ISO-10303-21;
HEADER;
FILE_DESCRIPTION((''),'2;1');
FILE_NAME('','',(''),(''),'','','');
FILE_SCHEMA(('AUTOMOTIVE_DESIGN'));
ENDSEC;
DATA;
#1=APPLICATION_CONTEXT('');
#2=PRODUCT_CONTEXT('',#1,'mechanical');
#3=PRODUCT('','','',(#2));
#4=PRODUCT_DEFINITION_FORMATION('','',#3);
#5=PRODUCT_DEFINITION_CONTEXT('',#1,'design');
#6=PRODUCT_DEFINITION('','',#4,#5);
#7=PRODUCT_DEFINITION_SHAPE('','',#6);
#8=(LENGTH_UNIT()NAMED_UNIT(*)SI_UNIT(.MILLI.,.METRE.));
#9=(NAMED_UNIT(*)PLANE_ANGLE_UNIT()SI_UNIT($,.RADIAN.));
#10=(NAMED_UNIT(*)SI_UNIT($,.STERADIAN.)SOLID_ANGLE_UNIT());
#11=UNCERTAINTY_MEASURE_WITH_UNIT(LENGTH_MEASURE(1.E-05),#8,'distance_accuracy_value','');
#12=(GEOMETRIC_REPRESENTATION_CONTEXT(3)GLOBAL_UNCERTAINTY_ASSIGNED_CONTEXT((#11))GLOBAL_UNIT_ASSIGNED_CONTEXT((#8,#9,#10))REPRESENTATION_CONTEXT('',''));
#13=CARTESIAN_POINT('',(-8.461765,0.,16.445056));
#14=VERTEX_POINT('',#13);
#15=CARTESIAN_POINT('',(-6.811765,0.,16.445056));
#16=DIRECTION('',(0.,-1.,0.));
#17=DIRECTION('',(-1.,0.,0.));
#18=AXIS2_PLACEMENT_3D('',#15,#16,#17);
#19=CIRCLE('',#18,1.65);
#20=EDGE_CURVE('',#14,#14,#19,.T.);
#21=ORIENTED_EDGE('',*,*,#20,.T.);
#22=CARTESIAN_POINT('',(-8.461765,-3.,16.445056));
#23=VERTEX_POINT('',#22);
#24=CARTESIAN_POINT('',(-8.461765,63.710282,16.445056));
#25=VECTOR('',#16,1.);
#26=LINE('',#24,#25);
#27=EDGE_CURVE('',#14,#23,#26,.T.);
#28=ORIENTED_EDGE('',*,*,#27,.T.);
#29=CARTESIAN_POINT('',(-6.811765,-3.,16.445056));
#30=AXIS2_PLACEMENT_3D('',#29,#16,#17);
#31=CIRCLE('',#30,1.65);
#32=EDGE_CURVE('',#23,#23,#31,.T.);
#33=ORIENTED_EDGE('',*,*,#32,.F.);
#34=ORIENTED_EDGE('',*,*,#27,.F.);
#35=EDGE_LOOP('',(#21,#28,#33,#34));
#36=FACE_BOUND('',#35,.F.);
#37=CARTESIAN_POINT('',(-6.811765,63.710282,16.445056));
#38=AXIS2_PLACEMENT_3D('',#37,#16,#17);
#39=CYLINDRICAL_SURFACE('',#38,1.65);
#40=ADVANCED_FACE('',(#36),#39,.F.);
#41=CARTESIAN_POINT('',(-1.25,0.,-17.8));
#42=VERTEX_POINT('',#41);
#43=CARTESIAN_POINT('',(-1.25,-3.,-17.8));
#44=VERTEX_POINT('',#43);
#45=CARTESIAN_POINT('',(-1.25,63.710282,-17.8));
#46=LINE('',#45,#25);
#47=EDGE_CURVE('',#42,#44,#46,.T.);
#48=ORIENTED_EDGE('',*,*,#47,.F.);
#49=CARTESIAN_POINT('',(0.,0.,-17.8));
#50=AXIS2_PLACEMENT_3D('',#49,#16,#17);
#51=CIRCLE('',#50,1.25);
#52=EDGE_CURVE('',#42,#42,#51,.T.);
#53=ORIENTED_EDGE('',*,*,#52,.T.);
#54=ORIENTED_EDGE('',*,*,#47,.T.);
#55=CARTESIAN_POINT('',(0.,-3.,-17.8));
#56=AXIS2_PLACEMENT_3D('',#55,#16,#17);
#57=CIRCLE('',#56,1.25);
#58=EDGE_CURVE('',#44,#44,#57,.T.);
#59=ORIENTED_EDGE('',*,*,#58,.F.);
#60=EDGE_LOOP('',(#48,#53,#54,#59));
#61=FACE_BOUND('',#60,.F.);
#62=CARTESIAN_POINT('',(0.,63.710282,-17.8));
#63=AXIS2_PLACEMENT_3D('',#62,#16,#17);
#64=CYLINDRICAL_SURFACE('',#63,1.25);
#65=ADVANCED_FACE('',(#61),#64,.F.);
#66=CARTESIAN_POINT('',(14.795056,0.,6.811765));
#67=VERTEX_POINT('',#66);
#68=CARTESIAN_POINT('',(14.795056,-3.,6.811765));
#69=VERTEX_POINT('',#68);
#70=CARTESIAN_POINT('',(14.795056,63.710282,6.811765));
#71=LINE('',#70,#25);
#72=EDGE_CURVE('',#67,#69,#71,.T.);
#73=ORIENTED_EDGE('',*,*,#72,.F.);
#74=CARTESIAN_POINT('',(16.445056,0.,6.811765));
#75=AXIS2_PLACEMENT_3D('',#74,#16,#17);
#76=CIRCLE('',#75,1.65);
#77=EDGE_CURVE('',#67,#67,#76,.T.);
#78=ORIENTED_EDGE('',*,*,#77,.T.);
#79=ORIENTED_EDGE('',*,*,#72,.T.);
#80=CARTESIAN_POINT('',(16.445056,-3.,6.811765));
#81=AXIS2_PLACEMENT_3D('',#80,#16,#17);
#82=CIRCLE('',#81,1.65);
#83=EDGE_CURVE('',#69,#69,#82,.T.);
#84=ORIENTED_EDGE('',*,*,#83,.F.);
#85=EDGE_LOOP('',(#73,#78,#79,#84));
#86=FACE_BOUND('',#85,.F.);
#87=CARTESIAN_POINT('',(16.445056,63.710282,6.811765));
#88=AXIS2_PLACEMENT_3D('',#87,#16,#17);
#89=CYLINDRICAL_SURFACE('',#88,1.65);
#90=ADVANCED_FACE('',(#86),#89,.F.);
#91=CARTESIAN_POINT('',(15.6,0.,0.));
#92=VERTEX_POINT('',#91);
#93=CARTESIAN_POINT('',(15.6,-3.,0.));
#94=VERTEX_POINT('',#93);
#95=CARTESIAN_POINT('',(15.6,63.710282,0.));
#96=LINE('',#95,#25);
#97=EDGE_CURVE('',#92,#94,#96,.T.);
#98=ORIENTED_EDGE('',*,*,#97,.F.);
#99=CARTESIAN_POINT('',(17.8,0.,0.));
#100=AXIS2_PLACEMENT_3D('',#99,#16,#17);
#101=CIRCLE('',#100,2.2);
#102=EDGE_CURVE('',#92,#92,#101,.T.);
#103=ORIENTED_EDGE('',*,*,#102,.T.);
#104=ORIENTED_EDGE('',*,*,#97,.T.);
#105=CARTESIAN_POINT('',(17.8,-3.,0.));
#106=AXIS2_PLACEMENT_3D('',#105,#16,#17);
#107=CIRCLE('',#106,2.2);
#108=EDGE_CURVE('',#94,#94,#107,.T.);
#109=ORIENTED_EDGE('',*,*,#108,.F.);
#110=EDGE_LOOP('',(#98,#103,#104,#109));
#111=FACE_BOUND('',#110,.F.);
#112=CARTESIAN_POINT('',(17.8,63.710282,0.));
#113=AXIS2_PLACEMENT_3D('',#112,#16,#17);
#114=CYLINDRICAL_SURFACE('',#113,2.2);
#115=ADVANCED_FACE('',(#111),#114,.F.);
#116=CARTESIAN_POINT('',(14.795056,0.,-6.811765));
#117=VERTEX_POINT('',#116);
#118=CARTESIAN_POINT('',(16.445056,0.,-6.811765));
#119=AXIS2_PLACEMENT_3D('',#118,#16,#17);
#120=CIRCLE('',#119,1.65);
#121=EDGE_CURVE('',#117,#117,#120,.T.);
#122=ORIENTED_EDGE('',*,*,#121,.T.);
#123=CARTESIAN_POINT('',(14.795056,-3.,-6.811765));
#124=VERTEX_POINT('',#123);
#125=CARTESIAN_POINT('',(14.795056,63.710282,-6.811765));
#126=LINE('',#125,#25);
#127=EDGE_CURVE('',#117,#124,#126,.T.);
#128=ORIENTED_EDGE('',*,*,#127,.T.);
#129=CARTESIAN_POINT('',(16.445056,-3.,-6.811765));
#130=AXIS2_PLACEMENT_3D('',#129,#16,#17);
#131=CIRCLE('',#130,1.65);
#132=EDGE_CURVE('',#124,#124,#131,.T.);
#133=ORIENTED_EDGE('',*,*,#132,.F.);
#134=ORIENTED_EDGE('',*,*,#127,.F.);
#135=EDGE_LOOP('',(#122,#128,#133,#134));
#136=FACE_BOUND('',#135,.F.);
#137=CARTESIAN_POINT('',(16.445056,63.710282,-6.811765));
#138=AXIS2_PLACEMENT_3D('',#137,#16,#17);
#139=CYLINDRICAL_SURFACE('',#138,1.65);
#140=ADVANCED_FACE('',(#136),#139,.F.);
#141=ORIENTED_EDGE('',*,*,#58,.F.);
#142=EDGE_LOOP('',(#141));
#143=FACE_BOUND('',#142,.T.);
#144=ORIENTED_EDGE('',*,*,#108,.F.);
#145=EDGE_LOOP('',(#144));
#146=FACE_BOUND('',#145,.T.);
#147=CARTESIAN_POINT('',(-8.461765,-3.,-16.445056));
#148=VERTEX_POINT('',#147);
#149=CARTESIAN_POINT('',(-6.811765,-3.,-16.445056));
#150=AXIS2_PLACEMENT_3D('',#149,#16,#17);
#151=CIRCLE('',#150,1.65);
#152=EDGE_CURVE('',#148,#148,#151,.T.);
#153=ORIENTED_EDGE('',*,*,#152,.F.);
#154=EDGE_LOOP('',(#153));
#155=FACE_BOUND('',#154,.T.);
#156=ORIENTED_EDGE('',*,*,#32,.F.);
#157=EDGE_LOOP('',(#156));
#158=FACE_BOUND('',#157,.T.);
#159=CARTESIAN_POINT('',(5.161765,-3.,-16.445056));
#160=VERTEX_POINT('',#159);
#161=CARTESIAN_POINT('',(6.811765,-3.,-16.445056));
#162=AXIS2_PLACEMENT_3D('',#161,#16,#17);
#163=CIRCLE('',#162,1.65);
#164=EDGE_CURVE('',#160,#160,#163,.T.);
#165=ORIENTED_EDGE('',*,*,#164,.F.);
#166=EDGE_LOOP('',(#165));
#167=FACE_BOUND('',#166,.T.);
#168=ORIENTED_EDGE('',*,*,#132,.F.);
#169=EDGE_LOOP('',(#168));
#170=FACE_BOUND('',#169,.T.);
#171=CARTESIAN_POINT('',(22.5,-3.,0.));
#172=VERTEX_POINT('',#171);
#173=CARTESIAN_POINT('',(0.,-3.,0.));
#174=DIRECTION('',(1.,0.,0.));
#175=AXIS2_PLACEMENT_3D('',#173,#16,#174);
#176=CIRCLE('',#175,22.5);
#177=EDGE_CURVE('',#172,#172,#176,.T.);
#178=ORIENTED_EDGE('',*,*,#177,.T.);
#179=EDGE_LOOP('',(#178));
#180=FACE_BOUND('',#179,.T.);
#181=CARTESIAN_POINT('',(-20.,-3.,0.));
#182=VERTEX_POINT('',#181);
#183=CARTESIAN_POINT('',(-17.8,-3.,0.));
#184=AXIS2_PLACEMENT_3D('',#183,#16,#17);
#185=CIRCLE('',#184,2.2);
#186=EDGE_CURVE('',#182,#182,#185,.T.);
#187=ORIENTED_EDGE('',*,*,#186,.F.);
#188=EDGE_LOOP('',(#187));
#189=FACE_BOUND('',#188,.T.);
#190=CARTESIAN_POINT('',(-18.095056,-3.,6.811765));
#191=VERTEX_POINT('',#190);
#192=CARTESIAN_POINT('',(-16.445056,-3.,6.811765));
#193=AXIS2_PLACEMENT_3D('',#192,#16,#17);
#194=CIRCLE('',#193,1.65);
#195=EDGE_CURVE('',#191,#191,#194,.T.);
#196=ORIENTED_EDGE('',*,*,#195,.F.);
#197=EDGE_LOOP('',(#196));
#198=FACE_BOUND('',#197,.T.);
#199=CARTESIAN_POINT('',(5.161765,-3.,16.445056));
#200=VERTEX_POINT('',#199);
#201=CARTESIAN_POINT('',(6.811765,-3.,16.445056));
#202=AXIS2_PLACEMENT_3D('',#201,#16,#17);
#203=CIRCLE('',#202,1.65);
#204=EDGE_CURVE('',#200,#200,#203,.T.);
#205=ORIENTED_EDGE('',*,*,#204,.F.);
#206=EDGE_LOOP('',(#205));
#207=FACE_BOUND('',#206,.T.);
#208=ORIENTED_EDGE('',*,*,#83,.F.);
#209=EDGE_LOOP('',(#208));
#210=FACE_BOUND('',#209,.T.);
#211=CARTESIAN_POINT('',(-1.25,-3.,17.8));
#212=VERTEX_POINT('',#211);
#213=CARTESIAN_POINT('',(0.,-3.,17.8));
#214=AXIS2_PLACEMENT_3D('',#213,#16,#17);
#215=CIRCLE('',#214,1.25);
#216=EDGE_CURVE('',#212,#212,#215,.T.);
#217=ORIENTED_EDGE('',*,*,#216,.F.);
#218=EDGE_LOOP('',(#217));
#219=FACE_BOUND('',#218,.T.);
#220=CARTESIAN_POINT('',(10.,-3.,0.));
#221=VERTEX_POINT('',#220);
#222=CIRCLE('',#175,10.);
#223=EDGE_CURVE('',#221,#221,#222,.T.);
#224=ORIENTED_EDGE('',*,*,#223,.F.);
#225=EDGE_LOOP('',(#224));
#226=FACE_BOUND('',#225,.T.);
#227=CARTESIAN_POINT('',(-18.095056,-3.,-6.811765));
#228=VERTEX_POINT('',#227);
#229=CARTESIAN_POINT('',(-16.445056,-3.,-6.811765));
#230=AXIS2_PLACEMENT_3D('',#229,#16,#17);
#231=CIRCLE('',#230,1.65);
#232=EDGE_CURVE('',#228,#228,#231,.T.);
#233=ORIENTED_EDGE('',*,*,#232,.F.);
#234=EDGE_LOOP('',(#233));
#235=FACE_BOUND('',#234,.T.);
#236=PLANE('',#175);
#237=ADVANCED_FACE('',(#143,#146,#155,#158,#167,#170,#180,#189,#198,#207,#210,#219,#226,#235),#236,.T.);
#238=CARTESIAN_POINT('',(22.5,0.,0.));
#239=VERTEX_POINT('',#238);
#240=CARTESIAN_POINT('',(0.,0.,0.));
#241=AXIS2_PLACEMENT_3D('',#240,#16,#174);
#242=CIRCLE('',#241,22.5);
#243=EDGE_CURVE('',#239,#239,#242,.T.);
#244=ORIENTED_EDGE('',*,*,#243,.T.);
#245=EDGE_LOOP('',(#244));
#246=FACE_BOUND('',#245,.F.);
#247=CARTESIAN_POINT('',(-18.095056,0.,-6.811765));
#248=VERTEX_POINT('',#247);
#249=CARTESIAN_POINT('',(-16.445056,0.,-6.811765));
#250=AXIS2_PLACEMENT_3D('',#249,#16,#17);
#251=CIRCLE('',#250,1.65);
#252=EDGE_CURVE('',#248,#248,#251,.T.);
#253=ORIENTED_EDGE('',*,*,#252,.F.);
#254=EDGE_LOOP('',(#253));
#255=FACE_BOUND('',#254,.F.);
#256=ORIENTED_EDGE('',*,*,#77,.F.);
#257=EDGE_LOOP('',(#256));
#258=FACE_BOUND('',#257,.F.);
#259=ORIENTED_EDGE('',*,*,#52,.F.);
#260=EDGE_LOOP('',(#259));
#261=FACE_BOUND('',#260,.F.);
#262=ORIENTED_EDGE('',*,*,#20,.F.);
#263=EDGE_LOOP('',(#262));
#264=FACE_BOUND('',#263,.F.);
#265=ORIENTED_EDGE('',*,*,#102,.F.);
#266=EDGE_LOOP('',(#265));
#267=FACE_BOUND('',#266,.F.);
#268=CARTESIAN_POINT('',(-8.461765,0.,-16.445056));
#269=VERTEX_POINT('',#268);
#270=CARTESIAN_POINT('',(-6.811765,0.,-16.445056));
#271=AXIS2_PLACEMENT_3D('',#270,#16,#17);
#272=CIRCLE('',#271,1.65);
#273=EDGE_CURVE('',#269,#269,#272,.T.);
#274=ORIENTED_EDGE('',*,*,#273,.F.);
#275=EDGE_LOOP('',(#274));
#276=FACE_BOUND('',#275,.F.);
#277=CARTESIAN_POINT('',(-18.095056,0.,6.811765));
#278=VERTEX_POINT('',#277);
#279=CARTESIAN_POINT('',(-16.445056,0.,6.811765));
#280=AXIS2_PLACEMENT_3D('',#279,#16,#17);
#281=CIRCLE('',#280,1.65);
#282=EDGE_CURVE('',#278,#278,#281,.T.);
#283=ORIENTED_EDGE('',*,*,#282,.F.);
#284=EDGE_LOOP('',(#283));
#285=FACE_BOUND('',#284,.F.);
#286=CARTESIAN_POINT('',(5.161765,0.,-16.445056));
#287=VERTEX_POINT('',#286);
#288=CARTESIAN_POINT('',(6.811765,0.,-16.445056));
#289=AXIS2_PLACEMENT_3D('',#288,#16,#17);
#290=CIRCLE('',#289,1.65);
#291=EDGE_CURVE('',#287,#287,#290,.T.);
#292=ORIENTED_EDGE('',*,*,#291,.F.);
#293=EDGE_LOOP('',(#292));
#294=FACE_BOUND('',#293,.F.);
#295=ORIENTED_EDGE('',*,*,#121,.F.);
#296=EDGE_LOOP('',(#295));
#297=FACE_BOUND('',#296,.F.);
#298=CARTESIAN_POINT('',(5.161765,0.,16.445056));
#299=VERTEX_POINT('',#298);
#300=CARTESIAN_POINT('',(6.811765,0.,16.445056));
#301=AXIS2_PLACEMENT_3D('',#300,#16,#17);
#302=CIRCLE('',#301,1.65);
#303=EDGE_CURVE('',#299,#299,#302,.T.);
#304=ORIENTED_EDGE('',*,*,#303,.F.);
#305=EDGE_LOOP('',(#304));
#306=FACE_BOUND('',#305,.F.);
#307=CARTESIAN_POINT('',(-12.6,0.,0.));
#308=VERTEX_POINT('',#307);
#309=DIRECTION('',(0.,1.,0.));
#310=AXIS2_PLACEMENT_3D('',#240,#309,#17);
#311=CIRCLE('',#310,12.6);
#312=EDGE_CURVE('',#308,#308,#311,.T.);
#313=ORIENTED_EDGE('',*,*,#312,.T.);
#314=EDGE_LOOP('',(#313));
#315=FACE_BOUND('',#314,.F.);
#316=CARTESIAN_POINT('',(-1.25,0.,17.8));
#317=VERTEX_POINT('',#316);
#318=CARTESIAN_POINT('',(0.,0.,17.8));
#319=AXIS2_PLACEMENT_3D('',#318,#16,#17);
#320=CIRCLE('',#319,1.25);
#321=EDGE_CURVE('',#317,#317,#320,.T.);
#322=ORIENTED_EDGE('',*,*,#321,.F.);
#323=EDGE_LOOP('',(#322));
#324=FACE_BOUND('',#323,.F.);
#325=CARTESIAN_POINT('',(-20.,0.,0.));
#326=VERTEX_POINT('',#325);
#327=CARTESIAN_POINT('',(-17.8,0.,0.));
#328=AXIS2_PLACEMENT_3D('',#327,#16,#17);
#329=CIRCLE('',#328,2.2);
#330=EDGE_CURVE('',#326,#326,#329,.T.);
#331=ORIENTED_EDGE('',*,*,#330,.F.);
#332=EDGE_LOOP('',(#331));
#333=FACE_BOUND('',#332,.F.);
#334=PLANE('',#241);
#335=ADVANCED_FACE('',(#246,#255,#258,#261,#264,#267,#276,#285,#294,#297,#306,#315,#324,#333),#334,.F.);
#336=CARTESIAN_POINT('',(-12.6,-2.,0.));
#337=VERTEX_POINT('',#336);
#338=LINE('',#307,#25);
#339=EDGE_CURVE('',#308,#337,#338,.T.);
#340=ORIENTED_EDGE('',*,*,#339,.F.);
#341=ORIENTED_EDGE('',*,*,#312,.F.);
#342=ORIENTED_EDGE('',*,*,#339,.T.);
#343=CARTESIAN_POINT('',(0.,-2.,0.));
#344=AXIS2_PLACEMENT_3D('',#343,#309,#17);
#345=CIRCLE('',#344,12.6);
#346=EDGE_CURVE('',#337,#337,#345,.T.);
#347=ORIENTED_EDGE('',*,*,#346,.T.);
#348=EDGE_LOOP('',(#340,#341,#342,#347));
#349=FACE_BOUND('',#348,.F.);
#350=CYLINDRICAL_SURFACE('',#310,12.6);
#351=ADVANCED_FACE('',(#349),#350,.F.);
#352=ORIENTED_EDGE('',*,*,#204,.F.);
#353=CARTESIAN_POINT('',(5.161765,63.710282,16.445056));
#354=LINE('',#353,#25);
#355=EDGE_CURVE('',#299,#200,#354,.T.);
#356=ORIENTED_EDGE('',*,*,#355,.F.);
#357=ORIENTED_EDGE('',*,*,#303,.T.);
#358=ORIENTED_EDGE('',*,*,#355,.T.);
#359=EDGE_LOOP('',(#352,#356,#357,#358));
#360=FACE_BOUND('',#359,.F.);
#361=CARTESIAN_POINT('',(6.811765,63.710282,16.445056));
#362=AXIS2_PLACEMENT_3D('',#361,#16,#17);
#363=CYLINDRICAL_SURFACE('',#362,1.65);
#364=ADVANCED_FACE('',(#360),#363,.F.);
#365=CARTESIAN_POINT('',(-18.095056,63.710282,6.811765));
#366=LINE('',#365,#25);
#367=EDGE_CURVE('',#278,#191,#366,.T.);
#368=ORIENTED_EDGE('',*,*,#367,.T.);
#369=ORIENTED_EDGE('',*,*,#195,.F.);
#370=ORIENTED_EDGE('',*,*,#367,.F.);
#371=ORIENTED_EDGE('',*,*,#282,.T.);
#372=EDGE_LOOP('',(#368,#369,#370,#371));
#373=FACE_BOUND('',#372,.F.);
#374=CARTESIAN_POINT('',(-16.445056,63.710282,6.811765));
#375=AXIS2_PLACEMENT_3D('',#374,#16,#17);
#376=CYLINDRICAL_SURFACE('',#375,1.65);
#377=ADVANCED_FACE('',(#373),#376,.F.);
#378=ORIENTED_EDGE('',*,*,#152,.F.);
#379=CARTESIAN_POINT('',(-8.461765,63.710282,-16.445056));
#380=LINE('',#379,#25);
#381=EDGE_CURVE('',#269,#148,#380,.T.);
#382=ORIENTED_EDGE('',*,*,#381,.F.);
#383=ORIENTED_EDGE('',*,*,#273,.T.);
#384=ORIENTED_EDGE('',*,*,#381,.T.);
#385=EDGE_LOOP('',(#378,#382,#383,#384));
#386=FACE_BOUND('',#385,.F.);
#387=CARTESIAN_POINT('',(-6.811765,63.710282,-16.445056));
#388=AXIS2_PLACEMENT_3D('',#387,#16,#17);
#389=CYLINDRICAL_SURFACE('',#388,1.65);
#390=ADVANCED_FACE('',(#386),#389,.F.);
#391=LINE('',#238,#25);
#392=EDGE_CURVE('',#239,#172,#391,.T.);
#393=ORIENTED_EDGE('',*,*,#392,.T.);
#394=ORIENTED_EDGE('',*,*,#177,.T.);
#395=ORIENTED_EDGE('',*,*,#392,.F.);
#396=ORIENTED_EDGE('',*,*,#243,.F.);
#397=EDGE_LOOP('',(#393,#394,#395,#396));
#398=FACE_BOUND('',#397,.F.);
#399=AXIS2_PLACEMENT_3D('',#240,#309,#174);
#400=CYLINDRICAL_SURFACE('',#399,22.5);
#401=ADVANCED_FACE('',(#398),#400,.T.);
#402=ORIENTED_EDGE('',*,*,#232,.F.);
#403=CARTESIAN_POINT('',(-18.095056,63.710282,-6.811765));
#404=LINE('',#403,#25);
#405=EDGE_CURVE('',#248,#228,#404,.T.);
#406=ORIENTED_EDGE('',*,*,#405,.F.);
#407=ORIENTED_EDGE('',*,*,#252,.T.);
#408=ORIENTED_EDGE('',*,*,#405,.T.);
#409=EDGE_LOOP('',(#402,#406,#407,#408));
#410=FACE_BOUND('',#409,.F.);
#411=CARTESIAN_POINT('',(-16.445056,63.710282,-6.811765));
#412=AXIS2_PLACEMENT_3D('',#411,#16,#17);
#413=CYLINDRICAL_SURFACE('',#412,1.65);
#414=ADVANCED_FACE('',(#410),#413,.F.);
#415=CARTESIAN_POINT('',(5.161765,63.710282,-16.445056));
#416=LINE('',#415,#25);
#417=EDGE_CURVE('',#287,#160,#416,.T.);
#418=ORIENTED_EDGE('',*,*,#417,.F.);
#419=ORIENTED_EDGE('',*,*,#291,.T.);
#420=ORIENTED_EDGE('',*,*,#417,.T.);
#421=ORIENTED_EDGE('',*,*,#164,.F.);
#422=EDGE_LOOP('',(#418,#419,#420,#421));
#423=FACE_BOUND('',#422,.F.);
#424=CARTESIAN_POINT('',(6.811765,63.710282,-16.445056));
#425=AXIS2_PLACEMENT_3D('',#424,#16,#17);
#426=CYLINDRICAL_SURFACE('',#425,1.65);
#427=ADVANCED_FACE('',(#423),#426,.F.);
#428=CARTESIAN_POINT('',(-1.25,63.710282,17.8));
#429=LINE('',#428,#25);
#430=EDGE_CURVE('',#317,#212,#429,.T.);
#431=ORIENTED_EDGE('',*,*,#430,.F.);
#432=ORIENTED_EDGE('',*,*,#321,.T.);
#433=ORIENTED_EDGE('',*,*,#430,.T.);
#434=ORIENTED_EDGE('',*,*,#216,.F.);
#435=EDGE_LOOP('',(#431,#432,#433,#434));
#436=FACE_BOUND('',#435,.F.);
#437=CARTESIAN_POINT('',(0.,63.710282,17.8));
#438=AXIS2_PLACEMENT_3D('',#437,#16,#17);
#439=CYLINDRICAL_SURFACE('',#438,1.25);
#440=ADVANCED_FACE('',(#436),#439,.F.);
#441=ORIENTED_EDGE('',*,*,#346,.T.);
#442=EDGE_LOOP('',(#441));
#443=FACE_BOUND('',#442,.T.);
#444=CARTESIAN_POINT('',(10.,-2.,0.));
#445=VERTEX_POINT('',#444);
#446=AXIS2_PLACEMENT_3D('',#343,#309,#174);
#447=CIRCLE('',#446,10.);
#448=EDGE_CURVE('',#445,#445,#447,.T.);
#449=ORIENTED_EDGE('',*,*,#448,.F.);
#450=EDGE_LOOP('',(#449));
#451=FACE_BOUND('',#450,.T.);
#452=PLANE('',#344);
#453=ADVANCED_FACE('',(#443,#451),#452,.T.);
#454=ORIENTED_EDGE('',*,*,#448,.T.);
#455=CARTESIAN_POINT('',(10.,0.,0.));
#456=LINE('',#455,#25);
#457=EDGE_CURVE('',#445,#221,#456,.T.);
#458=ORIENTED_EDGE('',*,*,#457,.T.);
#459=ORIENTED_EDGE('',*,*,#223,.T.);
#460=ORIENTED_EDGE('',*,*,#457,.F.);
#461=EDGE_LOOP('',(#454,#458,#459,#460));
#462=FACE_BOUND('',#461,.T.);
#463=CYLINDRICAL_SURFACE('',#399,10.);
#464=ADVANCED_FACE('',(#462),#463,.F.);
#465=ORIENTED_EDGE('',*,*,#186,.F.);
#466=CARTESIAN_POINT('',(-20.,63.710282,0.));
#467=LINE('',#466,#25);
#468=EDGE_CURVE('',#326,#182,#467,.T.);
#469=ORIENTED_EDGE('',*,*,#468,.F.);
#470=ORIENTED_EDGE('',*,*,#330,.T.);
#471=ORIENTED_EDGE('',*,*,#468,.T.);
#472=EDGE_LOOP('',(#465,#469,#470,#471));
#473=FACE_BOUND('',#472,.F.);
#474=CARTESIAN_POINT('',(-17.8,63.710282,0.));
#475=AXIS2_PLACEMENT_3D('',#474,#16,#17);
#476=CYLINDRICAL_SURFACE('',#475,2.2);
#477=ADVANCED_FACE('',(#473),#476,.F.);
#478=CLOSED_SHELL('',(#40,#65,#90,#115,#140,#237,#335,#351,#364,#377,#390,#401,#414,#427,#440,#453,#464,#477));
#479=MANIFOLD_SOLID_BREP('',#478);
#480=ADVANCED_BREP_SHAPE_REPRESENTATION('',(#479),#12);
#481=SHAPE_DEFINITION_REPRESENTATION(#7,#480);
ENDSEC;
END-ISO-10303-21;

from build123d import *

# Parameters (mm, degrees)
F0_R     = 22.5
F0_R_2   = 10
F1_DEPTH = 3
F2_D     = 3.3
F3_D     = 4.4
F4_R     = 12.6
F4_R_2   = 10
F5_DEPTH = 2
F6_D     = 2.5


with BuildPart() as f1:
    # F0 (on Front) → F1 (new body)
    with BuildSketch(Plane.XZ):
        Circle(F0_R)
        Circle(F0_R_2, mode=Mode.SUBTRACT)
    extrude(amount=F1_DEPTH)

    # F2 (through all)
    with Locations(Plane(origin=(0, 0, 0), x_dir=(1, 0, 0), z_dir=(0, 1, 0))):
        with Locations((-16.4450556787, -6.8117650961), (-6.8117650961, -16.4450556787), (6.8117650961, -16.4450556787), (16.4450556787, -6.8117650961), (16.4450556787, 6.8117650961), (6.8117650961, 16.4450556787), (-6.8117650961, 16.4450556787), (-16.4450556787, 6.8117650961)):
            Hole(F2_D / 2)

    # F3 (through all)
    with Locations(Plane(origin=(0, 0, 0), x_dir=(1, 0, 0), z_dir=(0, 1, 0))):
        with Locations((-17.8, 0), (17.8, 0)):
            Hole(F3_D / 2)

    # F4 (on face) → F5 (cut)
    with BuildSketch(Plane(origin=(0, 0, 0), x_dir=(-1, 0, 0), z_dir=(0, 1, 0))):
        Circle(F4_R)
        Circle(F4_R_2, mode=Mode.SUBTRACT)
    extrude(amount=-F5_DEPTH, mode=Mode.SUBTRACT)

    # F6 (through all)
    with Locations(Plane(origin=(0, 0, 0), x_dir=(1, 0, 0), z_dir=(0, 1, 0))):
        with Locations((0, -17.8), (0, 17.8)):
            Hole(F6_D / 2)


solid = f1.part
